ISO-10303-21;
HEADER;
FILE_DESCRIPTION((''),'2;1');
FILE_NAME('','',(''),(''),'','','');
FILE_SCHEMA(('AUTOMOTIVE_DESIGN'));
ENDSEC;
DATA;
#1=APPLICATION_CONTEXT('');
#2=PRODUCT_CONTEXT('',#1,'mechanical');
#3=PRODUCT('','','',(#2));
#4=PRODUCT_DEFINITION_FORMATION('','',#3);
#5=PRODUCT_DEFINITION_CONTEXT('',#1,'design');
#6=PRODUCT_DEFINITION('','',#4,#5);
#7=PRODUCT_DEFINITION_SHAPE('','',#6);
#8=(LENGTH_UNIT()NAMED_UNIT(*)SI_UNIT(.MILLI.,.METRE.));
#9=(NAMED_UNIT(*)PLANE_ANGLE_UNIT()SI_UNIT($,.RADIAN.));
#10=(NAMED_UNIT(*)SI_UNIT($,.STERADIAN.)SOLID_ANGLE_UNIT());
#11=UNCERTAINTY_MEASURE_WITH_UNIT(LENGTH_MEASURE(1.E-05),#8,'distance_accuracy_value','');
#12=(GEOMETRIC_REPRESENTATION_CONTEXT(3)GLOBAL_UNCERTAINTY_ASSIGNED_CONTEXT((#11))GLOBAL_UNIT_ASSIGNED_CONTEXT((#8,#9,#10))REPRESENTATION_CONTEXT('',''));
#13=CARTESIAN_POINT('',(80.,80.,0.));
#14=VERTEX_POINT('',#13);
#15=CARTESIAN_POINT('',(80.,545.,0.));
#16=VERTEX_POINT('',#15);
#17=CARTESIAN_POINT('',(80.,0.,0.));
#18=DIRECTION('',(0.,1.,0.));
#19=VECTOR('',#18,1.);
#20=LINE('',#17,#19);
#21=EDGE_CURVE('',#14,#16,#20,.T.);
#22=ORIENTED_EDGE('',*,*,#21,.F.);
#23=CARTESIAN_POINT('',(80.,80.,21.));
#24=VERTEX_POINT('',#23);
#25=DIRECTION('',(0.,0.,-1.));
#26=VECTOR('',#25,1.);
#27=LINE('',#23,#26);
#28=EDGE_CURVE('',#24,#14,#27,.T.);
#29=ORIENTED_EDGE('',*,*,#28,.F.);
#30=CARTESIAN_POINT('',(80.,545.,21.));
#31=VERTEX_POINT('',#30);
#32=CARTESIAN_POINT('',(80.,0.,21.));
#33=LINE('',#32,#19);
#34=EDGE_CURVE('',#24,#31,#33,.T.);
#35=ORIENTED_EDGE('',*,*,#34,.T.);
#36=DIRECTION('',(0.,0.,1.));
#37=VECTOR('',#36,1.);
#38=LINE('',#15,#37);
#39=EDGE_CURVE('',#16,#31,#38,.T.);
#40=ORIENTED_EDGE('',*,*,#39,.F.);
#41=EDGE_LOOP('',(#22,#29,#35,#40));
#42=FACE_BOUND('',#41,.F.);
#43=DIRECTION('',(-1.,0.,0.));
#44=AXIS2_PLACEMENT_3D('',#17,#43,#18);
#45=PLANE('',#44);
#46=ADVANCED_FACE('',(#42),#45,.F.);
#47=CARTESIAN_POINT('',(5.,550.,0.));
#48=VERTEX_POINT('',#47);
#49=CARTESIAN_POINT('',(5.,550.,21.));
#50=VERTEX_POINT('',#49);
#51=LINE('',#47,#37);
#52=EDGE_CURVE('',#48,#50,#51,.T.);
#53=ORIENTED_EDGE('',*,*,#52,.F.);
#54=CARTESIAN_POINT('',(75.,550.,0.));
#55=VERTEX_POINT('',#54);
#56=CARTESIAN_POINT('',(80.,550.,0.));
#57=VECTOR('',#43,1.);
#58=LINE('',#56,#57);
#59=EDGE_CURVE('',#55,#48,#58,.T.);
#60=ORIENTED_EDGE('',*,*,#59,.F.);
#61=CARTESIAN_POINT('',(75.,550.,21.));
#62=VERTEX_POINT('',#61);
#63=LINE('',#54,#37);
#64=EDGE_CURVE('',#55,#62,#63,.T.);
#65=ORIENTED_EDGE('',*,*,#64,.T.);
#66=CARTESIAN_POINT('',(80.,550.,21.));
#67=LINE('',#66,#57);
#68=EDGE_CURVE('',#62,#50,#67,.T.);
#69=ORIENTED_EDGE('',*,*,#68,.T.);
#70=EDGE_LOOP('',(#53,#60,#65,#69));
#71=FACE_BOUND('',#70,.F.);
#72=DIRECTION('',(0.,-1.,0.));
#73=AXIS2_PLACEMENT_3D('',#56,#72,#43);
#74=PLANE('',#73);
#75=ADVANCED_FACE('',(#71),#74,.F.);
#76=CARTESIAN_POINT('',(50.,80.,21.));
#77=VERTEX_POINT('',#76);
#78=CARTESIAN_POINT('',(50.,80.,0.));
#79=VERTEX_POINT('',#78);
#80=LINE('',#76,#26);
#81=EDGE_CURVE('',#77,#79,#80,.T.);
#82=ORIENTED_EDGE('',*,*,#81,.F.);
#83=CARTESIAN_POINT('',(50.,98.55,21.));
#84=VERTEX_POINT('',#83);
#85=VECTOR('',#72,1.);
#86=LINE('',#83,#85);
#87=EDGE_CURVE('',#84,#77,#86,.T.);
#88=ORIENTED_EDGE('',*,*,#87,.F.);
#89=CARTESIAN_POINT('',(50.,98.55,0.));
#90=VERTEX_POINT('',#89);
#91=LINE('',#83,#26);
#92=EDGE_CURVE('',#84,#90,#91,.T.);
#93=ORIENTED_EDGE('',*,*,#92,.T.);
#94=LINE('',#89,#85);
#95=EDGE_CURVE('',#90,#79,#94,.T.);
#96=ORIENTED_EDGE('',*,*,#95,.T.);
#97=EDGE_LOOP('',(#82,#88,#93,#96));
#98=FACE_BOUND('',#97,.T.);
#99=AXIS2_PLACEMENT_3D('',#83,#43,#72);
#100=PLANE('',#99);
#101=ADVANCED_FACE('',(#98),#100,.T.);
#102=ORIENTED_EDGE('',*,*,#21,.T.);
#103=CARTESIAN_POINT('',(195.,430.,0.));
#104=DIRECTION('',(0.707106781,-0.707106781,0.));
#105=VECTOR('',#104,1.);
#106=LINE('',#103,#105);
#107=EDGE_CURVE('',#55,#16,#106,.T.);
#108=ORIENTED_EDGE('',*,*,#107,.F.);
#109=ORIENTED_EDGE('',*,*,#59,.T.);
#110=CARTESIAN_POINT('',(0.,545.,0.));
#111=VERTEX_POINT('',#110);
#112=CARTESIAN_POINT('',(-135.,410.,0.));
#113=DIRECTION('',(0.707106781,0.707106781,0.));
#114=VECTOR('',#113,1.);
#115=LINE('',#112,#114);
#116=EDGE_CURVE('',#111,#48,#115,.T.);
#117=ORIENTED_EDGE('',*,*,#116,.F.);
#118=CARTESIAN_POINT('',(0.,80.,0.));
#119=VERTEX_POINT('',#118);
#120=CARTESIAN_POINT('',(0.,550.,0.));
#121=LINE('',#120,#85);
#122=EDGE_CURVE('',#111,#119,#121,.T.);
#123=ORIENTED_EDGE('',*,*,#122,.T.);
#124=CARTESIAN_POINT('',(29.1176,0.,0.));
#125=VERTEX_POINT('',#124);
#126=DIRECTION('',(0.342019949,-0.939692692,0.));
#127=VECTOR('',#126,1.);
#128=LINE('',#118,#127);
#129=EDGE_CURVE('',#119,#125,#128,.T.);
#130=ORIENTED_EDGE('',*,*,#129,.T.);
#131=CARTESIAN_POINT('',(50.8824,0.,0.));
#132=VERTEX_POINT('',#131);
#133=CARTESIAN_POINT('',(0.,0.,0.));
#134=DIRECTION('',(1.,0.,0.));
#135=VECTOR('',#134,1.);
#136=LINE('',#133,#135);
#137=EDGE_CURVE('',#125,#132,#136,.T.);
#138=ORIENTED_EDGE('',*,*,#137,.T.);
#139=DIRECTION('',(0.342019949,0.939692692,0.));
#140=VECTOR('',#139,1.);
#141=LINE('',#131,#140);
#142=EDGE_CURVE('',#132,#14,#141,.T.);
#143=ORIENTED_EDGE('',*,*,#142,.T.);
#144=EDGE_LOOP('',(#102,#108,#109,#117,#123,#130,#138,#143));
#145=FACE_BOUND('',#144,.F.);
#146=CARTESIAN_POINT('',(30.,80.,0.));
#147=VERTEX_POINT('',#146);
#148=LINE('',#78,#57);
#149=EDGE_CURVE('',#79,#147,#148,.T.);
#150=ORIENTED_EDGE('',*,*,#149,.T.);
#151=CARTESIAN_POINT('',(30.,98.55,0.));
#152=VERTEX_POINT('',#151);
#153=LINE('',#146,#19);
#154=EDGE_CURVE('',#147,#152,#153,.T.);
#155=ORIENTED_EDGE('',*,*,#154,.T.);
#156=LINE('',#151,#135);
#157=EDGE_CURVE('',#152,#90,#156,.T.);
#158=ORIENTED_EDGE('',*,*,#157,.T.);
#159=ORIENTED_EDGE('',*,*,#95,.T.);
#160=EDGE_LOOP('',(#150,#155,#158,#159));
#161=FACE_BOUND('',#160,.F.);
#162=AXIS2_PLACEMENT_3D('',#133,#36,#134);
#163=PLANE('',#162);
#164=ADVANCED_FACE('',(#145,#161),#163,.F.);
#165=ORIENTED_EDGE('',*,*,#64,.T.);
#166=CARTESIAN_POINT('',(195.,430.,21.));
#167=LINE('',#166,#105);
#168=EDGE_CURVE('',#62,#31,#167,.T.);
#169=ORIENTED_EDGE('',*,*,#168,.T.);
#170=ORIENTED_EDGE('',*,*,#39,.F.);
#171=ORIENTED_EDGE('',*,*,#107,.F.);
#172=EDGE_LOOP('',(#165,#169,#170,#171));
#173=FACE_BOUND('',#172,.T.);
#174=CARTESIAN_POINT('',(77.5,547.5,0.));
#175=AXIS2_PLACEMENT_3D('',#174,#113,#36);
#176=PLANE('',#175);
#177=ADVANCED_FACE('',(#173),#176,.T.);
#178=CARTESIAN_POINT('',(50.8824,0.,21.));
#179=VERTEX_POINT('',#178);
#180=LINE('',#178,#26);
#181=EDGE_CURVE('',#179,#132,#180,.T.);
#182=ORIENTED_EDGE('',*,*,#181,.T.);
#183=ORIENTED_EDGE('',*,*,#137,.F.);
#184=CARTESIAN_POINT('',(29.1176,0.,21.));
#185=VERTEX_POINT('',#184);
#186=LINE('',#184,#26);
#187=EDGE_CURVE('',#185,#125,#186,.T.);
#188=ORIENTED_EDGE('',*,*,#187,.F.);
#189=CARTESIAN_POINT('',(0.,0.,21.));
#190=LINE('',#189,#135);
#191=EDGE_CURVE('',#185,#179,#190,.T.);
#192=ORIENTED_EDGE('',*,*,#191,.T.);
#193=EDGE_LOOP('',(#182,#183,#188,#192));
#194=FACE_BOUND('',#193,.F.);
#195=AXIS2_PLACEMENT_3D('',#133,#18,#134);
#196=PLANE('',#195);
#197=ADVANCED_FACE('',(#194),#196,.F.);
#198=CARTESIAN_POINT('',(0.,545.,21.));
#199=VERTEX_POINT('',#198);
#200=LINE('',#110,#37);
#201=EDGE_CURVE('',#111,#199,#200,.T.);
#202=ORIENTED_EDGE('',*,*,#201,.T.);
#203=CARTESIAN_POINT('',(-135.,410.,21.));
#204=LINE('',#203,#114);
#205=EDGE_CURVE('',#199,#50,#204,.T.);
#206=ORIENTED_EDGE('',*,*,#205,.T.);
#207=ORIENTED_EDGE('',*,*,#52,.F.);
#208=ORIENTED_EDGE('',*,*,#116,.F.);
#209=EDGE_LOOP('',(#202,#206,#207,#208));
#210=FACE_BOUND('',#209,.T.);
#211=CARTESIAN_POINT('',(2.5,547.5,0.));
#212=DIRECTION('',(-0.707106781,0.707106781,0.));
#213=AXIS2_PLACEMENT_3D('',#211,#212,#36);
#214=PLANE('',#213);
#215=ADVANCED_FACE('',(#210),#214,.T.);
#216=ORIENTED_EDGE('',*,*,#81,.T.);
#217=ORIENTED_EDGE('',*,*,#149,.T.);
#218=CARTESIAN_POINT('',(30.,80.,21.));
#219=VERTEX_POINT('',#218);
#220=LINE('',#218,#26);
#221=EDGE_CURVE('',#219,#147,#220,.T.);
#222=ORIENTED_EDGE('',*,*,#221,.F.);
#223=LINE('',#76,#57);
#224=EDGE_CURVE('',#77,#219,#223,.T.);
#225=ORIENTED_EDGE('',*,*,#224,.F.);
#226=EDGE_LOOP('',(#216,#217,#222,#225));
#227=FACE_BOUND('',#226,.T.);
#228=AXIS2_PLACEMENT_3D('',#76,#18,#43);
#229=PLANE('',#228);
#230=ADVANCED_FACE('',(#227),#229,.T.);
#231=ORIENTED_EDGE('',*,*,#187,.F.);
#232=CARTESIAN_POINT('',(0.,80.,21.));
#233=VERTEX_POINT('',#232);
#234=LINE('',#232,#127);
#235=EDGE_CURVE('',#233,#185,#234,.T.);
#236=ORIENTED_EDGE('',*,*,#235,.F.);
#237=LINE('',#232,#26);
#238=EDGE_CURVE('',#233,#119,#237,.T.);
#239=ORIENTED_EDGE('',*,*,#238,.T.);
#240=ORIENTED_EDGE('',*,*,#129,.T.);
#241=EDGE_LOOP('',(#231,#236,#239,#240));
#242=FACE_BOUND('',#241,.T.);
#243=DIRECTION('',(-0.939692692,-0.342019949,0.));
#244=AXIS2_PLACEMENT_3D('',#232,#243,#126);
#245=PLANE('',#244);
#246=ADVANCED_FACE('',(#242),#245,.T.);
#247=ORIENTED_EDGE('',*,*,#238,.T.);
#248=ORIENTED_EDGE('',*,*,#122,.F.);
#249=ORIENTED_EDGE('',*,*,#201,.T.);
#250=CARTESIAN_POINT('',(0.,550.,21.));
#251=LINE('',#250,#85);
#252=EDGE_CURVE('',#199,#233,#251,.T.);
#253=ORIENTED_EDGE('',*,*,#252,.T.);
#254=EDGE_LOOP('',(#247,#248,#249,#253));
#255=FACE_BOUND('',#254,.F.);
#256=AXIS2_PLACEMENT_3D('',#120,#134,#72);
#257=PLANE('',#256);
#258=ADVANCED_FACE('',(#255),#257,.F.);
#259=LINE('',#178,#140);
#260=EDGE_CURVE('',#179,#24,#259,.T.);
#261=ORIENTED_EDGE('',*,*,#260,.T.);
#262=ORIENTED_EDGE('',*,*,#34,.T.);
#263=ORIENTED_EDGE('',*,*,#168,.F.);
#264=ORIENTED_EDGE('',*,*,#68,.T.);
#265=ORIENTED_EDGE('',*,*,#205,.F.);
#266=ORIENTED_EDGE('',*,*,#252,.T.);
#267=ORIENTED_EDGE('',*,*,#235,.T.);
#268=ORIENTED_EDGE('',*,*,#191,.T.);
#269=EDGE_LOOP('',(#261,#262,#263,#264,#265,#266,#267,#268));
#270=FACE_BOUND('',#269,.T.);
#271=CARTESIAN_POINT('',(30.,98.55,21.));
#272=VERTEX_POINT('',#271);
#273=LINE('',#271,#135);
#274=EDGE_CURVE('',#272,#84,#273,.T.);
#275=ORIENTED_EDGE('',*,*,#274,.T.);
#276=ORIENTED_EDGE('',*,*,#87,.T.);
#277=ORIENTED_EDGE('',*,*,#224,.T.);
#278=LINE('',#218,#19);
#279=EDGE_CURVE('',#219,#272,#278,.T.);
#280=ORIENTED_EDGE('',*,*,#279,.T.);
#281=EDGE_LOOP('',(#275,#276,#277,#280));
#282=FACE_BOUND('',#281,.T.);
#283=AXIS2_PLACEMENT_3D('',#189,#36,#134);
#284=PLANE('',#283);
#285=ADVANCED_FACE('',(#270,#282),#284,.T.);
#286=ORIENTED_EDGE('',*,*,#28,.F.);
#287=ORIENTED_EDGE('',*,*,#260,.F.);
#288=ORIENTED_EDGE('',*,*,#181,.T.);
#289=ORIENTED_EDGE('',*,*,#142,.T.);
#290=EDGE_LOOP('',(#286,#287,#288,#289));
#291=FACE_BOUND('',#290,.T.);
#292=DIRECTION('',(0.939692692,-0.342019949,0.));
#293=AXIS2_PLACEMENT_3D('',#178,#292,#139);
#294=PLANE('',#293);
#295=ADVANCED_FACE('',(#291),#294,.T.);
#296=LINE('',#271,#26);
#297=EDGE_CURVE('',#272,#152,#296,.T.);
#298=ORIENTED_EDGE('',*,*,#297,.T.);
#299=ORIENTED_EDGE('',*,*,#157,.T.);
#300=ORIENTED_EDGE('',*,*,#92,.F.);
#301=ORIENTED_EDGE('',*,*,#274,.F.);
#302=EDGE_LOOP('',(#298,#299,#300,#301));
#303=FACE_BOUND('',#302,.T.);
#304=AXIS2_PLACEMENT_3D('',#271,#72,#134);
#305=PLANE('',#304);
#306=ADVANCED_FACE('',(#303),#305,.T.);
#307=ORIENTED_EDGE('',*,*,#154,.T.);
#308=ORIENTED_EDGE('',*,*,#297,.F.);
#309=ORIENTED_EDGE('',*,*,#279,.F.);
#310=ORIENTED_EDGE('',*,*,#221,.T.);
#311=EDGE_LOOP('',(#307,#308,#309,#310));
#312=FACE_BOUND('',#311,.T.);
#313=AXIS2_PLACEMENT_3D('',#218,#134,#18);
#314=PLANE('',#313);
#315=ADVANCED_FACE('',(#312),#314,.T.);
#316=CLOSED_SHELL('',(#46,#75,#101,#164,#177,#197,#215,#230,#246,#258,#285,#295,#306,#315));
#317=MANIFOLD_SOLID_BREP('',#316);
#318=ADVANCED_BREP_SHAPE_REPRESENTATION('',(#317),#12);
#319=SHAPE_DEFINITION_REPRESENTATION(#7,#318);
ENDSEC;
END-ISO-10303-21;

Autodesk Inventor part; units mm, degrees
ref_plane "YZ Plane" through (0, 0, 0) normal (1, 0, 0) x (0, 1, 0)
ref_plane "XZ Plane" through (0, 0, 0) normal (0, 1, 0) x (-1, 0, 0)
ref_plane "XY Plane" through (0, 0, 0) normal (0, 0, 1) x (1, 0, 0)
sketch "Esquisse1" plane through (0, 0, 0) normal (0, 0, 1) x (1, 0, 0)
  line L0 (0, 0) -> (80, 0)
  line L1 (80, 0) -> (80, 550)
  line L2 (80, 550) -> (0, 550)
  line L3 (0, 550) -> (0, 0)
  dimension "d0" = 80
  dimension "d1" = 550
extrude "Extrusion1" add sketch "Esquisse1" along normal blind 21
chamfer "Chanfrein1" distance 5 angle 45 2 edges at (0, 550, 10.5) (80, 550, 10.5)
sketch "Esquisse4" plane through (0, 0, 21) normal (0, 0, 1) x (1, 0, 0)
  line L0 (0, 545) -> (0, 0) projected
  line L1 (80, 0) -> (80, 545) projected
  line L2 (0, 80) -> (29.1176, 0)
  line L3 (0, 0) -> (80, 0) projected
  line L4 (50.8824, 0) -> (80, 80)
  line L5 (29.1176, 0) -> (50.8824, 0)
  line L6 (30, 98.55) -> (50, 98.55)
  line L7 (50, 98.55) -> (50, 80)
  line L8 (50, 80) -> (30, 80)
  line L9 (30, 80) -> (30, 98.55)
  line L10 (40, 0) -> (40, 80) construction
  dimension "d23" = 70
  dimension "d24" = 70
  dimension "d25" = 80
  dimension "d26" = 20
  dimension "d27" = 18.55
extrude "Extrusion3" cut sketch "Esquisse4" against normal blind 21
sketch "Esquisse6" plane through (0, 0, 21) normal (0, 0, 1) x (1, 0, 0)
  line L0 (75, 550) -> (5, 550) construction
  line L1 (35, 520) -> (35, 545)
  line L2 (0, 545) -> (0, 80) construction
  line L3 (0, 535) -> (35, 535) construction
  line L4 (45, 535) -> (80, 535) construction
  line L5 (80, 80) -> (80, 545) construction
  line L6 (25, 270) -> (25, 520)
  line L7 (25, 520) -> (35, 520)
  line L8 (25, 395) -> (0, 395) construction
  line L9 (55, 395) -> (80, 395) construction
  line L10 (40, 550) -> (40, 270) construction
  line L11 (25, 270) -> (40, 270)
  line L12 (40, 270) -> (40, 550)
  line L13 (35, 545) -> (25, 545)
  line L14 (25, 545) -> (25, 550)
  line L15 (25, 550) -> (40, 550)
  point P0 (0, 0)
  point P1 (35, 550)
  dimension "d39" = 5
  dimension "d41" = 30
  dimension "d42" = 250
  dimension "d43" = 15
  dimension "d45" = 5
  dimension "d46" = 15
revolve "Révolution1" [suppressed]
properties part number "graduated_foot_03"
